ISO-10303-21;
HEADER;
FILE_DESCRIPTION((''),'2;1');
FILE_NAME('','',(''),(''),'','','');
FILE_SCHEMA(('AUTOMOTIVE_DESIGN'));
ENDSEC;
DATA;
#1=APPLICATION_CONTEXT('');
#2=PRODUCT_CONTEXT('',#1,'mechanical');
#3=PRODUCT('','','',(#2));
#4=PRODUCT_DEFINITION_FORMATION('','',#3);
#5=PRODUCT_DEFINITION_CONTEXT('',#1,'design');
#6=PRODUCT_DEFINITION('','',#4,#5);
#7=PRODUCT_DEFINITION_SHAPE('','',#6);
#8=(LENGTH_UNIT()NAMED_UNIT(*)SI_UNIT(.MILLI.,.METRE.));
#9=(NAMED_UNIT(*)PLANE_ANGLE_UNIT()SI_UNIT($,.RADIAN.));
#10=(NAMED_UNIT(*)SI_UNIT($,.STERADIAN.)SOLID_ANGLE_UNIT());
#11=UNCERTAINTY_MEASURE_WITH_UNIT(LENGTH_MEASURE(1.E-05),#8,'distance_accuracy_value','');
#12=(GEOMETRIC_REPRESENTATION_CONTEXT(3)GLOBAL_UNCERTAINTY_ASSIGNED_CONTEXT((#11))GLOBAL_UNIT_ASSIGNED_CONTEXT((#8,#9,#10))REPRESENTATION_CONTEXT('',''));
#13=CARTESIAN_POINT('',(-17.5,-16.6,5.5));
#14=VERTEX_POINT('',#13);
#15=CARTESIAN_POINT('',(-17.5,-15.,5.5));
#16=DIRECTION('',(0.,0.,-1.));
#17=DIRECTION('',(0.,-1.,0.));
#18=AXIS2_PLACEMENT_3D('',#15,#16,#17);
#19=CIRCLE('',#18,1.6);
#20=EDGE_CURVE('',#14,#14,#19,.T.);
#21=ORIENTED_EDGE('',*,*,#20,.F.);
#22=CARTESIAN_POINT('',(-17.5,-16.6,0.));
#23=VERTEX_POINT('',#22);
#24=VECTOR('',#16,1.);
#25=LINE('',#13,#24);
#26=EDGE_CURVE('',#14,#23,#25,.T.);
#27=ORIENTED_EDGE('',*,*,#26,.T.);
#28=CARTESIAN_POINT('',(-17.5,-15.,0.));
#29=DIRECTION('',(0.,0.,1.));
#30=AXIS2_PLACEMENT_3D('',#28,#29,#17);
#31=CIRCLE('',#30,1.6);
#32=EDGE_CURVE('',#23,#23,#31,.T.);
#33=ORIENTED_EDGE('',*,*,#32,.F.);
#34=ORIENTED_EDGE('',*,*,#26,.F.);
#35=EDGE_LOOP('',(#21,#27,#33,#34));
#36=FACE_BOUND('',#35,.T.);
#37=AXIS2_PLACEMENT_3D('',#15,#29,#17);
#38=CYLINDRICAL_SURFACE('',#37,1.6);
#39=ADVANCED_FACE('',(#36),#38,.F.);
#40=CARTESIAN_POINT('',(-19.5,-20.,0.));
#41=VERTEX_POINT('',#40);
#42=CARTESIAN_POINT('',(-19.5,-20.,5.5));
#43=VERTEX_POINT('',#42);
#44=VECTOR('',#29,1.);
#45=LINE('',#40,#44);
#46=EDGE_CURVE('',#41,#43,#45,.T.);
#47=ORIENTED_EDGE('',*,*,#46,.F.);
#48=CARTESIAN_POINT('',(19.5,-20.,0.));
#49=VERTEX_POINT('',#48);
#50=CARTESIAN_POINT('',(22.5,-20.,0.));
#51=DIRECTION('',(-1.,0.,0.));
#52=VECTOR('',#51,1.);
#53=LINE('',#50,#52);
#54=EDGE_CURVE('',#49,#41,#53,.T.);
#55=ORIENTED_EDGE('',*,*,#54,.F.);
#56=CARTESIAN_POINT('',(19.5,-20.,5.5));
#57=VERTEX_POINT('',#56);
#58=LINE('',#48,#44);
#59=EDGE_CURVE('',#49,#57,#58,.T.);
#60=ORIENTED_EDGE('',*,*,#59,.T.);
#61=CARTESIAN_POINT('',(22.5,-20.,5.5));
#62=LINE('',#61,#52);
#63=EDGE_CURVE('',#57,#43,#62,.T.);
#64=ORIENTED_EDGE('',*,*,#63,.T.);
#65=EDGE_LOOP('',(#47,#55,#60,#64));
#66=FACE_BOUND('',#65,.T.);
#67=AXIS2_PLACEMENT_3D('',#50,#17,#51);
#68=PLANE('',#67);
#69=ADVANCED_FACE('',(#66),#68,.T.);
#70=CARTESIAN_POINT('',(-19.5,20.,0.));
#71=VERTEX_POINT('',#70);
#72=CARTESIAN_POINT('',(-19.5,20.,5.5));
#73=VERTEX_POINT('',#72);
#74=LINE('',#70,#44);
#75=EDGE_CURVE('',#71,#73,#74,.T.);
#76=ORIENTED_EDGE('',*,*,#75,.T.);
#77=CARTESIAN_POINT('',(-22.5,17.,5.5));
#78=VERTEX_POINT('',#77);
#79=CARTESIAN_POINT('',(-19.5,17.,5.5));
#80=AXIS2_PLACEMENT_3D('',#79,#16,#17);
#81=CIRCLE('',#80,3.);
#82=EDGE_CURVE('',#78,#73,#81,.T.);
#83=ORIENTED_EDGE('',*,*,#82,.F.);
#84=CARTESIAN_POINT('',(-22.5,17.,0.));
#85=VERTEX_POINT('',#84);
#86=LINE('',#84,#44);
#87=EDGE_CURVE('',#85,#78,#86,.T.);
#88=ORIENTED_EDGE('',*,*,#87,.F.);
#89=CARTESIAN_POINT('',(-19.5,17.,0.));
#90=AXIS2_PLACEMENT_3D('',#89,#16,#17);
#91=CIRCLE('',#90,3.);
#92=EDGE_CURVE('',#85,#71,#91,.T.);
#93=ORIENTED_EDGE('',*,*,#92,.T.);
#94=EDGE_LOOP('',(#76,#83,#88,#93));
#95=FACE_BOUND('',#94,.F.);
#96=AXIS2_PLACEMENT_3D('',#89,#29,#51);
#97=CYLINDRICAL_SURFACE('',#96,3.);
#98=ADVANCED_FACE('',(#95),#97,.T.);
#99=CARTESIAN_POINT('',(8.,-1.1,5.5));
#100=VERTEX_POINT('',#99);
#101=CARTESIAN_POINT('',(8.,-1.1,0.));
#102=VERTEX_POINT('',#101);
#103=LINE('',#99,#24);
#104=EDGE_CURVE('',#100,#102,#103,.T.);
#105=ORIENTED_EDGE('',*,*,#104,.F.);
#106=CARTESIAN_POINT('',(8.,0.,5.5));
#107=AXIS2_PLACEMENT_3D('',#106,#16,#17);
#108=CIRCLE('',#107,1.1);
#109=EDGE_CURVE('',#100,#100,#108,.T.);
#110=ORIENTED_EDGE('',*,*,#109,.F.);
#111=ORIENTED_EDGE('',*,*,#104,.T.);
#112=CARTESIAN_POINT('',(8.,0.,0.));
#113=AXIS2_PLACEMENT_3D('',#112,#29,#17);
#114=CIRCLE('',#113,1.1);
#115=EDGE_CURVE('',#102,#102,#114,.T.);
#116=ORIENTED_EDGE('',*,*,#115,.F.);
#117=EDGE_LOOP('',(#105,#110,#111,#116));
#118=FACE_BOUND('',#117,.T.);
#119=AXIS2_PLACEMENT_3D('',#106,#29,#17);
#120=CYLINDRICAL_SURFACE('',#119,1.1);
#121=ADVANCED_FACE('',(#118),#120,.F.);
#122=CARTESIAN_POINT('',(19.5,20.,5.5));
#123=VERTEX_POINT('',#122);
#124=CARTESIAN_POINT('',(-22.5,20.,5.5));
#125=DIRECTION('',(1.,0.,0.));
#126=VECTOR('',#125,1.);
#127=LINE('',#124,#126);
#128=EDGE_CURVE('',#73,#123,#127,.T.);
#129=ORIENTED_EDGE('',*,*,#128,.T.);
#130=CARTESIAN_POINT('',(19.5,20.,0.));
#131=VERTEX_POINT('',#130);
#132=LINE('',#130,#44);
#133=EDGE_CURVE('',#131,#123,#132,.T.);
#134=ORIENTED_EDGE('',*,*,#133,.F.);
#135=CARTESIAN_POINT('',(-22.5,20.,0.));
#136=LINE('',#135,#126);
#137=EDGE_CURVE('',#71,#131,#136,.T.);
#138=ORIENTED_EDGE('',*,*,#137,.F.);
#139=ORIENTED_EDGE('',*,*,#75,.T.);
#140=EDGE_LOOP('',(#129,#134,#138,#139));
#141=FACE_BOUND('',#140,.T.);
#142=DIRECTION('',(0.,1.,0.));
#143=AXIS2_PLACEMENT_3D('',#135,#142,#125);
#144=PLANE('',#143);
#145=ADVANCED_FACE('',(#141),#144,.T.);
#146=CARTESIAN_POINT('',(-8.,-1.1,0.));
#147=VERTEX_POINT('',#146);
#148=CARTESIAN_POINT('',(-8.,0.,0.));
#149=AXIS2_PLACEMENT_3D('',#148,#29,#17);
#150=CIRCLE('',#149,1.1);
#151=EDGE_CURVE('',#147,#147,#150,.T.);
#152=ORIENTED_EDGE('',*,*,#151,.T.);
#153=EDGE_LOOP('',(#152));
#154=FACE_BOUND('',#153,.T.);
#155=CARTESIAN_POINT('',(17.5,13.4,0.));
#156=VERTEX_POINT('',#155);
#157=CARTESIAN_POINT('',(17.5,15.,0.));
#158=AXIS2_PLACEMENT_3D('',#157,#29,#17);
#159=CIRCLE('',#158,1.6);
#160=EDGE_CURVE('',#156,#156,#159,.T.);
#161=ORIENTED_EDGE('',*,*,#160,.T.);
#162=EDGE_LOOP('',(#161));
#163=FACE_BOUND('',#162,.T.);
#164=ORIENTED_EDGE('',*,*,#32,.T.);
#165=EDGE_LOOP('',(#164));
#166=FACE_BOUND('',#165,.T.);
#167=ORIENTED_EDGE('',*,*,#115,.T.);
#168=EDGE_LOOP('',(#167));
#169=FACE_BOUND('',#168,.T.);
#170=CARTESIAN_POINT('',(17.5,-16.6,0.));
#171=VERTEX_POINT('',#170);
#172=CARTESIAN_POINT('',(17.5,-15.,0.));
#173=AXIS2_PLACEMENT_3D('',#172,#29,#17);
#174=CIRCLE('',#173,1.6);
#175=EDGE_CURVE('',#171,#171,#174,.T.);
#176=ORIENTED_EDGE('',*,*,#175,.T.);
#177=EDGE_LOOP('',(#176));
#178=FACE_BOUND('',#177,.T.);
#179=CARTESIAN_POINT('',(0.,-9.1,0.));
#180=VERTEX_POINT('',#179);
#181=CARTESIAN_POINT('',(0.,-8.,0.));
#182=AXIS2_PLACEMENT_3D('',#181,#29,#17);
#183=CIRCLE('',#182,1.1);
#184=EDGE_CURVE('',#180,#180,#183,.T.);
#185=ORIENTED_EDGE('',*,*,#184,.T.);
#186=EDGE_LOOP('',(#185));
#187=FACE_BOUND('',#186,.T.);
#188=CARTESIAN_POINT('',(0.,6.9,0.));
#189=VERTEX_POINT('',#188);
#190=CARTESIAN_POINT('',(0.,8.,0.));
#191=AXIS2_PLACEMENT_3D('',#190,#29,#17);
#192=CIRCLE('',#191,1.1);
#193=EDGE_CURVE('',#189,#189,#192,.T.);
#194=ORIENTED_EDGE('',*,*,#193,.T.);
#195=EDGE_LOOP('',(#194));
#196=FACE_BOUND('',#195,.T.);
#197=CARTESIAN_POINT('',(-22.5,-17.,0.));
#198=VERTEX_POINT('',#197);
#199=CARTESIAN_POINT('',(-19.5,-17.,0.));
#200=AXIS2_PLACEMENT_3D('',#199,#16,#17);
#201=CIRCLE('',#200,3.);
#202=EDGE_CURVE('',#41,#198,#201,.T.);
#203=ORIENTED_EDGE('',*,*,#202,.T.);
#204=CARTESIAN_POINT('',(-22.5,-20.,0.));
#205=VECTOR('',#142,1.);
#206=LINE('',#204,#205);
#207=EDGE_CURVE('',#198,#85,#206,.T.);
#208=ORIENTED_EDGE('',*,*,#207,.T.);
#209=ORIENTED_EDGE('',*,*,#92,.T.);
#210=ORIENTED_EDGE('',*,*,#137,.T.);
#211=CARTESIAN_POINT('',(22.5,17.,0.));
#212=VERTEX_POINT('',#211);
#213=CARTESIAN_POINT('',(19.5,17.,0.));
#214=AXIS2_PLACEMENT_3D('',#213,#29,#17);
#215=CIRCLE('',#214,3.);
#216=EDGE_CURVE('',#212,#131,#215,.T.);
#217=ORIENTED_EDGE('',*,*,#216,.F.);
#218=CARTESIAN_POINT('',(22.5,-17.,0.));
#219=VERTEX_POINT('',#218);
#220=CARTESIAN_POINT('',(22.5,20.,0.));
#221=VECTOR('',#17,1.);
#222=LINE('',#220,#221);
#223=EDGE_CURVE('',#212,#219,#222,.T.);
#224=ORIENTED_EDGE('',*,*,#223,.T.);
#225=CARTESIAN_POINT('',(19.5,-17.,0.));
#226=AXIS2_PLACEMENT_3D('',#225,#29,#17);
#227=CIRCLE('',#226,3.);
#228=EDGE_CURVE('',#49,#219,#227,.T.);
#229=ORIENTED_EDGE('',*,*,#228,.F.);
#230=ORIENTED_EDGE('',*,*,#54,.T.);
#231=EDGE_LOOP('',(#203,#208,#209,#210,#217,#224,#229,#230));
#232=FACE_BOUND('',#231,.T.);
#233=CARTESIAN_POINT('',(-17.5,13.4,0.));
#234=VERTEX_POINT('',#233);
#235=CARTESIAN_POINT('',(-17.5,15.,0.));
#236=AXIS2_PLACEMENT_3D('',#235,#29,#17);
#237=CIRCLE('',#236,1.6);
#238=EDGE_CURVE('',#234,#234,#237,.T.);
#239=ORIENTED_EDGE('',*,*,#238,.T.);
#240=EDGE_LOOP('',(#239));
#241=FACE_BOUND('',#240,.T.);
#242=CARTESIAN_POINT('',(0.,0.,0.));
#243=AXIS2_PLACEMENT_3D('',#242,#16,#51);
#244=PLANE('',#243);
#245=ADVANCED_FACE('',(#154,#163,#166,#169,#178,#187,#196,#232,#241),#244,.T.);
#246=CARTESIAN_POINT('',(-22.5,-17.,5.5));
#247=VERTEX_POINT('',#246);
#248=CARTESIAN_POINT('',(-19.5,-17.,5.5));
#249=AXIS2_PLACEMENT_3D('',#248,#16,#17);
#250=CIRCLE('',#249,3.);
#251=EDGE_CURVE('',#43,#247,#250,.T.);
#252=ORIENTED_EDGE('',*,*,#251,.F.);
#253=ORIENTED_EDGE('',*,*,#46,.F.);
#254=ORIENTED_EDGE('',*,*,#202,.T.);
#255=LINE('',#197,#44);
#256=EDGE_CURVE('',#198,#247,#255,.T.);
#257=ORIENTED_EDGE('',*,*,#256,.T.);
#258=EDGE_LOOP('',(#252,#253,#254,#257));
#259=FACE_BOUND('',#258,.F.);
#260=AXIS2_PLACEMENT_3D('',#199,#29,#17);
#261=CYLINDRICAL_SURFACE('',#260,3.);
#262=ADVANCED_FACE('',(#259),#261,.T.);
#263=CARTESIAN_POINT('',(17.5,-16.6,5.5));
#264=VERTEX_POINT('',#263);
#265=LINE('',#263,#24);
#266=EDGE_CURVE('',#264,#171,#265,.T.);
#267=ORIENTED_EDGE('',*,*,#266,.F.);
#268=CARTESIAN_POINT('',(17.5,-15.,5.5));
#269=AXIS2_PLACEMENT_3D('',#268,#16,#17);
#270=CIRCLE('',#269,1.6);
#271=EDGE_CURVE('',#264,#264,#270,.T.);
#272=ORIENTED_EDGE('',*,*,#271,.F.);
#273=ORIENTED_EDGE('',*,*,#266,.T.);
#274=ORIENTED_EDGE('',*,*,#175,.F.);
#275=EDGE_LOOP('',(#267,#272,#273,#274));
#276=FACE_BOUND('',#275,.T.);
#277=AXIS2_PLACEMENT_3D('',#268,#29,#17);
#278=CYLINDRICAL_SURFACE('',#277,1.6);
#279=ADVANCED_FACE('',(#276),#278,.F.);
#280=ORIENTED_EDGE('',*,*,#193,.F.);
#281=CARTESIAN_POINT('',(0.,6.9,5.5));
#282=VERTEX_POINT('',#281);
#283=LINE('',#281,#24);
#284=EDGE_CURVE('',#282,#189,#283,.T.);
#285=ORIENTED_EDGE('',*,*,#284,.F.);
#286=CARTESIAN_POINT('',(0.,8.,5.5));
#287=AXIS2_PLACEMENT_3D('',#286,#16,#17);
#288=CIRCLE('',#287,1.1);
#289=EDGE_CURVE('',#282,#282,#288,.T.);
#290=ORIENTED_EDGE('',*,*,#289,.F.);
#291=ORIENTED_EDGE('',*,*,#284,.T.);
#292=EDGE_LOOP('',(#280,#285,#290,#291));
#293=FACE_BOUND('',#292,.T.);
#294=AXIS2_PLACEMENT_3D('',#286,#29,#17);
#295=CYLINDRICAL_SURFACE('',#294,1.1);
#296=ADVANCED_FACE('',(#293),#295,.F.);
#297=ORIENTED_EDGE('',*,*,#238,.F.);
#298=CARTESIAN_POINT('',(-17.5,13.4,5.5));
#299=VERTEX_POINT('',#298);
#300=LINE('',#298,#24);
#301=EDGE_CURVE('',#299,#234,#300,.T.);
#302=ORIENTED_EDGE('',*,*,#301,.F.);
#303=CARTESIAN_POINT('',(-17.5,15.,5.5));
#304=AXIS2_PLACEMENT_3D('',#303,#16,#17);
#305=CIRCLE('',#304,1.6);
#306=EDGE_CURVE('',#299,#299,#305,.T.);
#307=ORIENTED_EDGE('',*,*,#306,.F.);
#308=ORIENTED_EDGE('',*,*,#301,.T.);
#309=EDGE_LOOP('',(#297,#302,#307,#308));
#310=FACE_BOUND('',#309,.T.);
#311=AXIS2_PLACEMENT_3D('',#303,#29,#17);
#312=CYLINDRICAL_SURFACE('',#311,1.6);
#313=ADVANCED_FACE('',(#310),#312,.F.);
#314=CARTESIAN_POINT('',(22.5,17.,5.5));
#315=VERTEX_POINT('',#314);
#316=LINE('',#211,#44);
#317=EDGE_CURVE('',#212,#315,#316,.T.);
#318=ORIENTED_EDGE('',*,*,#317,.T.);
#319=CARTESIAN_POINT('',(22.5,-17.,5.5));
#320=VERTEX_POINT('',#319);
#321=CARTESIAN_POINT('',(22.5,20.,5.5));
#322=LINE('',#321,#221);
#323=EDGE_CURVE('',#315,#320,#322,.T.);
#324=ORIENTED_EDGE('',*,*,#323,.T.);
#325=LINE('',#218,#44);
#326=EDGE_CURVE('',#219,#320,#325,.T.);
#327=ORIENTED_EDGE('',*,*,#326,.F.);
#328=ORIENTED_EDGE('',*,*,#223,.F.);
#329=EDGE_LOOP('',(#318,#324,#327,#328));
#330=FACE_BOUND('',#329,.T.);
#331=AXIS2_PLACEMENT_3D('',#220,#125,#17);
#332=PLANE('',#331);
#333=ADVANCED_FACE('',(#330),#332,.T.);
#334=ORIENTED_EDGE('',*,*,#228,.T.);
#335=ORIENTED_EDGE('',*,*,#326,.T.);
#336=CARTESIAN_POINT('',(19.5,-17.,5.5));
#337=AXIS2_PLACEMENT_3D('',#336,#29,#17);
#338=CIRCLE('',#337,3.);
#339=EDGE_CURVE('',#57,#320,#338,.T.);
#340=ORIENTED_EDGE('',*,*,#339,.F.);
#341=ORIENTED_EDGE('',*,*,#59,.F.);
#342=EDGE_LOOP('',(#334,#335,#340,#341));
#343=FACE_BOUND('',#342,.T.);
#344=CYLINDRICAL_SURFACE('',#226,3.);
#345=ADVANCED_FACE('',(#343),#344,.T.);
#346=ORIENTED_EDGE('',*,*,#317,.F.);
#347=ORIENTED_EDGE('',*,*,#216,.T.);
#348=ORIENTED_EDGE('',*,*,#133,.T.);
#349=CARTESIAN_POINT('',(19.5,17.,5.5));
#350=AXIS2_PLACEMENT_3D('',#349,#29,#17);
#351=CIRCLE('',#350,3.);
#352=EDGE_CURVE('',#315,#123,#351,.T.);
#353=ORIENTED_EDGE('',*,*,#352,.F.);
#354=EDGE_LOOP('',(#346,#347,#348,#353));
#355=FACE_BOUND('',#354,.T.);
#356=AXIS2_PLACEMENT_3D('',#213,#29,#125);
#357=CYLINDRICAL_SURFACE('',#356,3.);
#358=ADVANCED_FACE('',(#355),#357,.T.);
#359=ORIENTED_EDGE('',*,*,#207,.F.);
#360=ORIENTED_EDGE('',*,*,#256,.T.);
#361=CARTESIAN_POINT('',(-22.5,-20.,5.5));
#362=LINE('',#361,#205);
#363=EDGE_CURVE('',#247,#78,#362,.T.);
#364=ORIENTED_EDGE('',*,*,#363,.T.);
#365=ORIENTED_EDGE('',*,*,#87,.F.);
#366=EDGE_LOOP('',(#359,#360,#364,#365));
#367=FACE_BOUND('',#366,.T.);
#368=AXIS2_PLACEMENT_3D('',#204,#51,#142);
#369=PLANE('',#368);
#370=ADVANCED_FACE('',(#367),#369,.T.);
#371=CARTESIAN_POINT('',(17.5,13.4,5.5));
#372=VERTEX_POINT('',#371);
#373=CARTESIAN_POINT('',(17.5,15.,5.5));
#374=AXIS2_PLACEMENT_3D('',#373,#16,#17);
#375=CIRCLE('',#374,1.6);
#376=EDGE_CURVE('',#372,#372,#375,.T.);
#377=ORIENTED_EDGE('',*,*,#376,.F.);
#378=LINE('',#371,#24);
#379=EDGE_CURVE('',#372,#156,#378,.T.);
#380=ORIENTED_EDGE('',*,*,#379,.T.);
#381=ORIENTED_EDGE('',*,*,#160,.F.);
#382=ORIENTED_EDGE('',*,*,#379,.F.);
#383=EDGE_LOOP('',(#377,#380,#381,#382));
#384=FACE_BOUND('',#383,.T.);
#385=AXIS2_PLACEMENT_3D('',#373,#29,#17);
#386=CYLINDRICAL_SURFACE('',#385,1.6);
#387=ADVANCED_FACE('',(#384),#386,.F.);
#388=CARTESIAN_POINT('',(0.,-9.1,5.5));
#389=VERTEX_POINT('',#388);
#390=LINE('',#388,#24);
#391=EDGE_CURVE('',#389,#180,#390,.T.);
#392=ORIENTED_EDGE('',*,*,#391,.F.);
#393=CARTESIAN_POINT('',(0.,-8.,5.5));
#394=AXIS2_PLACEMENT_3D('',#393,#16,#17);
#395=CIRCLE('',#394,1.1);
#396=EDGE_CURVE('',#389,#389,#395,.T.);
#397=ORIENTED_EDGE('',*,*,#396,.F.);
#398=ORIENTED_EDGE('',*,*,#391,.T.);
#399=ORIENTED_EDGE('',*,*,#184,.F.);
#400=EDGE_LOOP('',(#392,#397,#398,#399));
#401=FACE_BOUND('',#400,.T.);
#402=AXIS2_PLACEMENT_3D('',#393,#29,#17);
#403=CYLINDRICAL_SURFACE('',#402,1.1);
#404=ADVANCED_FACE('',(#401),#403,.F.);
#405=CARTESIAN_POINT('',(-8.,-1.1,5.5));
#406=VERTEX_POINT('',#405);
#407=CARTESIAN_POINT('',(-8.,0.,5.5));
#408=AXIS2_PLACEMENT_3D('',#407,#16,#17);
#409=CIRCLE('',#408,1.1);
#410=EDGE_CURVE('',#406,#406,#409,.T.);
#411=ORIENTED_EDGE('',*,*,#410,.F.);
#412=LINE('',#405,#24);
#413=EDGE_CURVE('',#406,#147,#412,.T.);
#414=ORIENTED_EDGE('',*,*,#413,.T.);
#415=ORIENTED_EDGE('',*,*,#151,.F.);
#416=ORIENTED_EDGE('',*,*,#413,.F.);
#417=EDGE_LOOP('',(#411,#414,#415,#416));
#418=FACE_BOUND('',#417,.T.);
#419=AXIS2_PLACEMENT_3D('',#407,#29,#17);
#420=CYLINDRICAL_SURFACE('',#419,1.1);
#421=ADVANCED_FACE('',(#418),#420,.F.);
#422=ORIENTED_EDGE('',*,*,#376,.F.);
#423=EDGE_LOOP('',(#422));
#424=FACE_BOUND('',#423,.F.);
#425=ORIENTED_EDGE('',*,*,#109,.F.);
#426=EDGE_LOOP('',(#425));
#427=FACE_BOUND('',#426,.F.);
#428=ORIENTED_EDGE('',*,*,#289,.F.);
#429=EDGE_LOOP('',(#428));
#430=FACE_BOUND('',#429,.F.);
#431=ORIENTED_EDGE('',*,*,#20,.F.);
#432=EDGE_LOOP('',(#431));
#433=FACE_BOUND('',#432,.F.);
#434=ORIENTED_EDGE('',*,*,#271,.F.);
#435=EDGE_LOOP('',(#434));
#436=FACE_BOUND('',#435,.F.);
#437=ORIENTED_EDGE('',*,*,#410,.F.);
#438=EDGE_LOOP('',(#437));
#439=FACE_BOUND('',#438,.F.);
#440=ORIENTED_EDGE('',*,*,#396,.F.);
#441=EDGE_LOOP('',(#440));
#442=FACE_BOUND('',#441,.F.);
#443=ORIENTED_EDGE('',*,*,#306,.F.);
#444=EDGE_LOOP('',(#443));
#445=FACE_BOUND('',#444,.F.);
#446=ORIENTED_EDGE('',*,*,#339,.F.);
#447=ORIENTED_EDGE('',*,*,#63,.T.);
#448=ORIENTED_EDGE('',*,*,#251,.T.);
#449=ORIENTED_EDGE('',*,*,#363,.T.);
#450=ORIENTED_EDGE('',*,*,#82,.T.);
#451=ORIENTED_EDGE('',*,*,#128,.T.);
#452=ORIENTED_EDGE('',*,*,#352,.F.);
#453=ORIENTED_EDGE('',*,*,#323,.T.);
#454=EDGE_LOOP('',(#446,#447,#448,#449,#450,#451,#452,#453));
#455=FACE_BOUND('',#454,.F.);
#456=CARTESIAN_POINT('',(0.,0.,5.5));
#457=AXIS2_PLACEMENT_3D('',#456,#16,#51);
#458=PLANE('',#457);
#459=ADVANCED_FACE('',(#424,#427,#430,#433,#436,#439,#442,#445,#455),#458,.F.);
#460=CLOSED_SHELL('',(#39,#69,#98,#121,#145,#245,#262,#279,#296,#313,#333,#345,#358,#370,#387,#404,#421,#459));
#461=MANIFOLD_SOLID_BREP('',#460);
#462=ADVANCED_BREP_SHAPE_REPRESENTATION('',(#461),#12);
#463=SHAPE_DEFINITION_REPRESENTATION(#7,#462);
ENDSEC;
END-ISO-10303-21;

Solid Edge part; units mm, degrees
sketch "Sketch1" plane through (0, 0, 0) normal (0, 0, 1) x (1, 0, 0)
  line L0 (22.5, -20) -> (-22.5, -20)
  line L1 (-22.5, -20) -> (-22.5, 20)
  line L2 (-22.5, 20) -> (22.5, 20)
  line L3 (22.5, 20) -> (22.5, -20)
  dimension "D1" = 40
  dimension "D2" = 45
extrude "Protrusion1" add sketch "Sketch1" along normal blind 5.5
hole "Hole_1" at (0, -8, 5.5) direction (0, 0, -1) diameter 2.2 end up to next
hole "Hole1" at (8, 0, 5.5) direction (0, 0, -1) diameter 2.2 end up to next
hole "Hole2" at (-8, 0, 5.5) direction (0, 0, -1) diameter 2.2 end up to next
hole "Hole3" at (0, 8, 5.5) direction (0, 0, -1) diameter 2.2 end up to next
hole "Hole_5" at (-17.5, 15, 5.5) direction (0, 0, -1) diameter 3.2 end up to next
hole "Hole4" at (17.5, 15, 5.5) direction (0, 0, -1) diameter 3.2 end up to next
hole "Hole5" at (17.5, -15, 5.5) direction (0, 0, -1) diameter 3.2 end up to next
hole "Hole6" at (-17.5, -15, 5.5) direction (0, 0, -1) diameter 3.2 end up to next
fillet "Round_1" radius 3 4 edges at (22.5, -20, 2.75) (22.5, 20, 2.75) (-22.5, -20, 2.75) (-22.5, 20, 2.75)
properties material "木材, アッシュ"
